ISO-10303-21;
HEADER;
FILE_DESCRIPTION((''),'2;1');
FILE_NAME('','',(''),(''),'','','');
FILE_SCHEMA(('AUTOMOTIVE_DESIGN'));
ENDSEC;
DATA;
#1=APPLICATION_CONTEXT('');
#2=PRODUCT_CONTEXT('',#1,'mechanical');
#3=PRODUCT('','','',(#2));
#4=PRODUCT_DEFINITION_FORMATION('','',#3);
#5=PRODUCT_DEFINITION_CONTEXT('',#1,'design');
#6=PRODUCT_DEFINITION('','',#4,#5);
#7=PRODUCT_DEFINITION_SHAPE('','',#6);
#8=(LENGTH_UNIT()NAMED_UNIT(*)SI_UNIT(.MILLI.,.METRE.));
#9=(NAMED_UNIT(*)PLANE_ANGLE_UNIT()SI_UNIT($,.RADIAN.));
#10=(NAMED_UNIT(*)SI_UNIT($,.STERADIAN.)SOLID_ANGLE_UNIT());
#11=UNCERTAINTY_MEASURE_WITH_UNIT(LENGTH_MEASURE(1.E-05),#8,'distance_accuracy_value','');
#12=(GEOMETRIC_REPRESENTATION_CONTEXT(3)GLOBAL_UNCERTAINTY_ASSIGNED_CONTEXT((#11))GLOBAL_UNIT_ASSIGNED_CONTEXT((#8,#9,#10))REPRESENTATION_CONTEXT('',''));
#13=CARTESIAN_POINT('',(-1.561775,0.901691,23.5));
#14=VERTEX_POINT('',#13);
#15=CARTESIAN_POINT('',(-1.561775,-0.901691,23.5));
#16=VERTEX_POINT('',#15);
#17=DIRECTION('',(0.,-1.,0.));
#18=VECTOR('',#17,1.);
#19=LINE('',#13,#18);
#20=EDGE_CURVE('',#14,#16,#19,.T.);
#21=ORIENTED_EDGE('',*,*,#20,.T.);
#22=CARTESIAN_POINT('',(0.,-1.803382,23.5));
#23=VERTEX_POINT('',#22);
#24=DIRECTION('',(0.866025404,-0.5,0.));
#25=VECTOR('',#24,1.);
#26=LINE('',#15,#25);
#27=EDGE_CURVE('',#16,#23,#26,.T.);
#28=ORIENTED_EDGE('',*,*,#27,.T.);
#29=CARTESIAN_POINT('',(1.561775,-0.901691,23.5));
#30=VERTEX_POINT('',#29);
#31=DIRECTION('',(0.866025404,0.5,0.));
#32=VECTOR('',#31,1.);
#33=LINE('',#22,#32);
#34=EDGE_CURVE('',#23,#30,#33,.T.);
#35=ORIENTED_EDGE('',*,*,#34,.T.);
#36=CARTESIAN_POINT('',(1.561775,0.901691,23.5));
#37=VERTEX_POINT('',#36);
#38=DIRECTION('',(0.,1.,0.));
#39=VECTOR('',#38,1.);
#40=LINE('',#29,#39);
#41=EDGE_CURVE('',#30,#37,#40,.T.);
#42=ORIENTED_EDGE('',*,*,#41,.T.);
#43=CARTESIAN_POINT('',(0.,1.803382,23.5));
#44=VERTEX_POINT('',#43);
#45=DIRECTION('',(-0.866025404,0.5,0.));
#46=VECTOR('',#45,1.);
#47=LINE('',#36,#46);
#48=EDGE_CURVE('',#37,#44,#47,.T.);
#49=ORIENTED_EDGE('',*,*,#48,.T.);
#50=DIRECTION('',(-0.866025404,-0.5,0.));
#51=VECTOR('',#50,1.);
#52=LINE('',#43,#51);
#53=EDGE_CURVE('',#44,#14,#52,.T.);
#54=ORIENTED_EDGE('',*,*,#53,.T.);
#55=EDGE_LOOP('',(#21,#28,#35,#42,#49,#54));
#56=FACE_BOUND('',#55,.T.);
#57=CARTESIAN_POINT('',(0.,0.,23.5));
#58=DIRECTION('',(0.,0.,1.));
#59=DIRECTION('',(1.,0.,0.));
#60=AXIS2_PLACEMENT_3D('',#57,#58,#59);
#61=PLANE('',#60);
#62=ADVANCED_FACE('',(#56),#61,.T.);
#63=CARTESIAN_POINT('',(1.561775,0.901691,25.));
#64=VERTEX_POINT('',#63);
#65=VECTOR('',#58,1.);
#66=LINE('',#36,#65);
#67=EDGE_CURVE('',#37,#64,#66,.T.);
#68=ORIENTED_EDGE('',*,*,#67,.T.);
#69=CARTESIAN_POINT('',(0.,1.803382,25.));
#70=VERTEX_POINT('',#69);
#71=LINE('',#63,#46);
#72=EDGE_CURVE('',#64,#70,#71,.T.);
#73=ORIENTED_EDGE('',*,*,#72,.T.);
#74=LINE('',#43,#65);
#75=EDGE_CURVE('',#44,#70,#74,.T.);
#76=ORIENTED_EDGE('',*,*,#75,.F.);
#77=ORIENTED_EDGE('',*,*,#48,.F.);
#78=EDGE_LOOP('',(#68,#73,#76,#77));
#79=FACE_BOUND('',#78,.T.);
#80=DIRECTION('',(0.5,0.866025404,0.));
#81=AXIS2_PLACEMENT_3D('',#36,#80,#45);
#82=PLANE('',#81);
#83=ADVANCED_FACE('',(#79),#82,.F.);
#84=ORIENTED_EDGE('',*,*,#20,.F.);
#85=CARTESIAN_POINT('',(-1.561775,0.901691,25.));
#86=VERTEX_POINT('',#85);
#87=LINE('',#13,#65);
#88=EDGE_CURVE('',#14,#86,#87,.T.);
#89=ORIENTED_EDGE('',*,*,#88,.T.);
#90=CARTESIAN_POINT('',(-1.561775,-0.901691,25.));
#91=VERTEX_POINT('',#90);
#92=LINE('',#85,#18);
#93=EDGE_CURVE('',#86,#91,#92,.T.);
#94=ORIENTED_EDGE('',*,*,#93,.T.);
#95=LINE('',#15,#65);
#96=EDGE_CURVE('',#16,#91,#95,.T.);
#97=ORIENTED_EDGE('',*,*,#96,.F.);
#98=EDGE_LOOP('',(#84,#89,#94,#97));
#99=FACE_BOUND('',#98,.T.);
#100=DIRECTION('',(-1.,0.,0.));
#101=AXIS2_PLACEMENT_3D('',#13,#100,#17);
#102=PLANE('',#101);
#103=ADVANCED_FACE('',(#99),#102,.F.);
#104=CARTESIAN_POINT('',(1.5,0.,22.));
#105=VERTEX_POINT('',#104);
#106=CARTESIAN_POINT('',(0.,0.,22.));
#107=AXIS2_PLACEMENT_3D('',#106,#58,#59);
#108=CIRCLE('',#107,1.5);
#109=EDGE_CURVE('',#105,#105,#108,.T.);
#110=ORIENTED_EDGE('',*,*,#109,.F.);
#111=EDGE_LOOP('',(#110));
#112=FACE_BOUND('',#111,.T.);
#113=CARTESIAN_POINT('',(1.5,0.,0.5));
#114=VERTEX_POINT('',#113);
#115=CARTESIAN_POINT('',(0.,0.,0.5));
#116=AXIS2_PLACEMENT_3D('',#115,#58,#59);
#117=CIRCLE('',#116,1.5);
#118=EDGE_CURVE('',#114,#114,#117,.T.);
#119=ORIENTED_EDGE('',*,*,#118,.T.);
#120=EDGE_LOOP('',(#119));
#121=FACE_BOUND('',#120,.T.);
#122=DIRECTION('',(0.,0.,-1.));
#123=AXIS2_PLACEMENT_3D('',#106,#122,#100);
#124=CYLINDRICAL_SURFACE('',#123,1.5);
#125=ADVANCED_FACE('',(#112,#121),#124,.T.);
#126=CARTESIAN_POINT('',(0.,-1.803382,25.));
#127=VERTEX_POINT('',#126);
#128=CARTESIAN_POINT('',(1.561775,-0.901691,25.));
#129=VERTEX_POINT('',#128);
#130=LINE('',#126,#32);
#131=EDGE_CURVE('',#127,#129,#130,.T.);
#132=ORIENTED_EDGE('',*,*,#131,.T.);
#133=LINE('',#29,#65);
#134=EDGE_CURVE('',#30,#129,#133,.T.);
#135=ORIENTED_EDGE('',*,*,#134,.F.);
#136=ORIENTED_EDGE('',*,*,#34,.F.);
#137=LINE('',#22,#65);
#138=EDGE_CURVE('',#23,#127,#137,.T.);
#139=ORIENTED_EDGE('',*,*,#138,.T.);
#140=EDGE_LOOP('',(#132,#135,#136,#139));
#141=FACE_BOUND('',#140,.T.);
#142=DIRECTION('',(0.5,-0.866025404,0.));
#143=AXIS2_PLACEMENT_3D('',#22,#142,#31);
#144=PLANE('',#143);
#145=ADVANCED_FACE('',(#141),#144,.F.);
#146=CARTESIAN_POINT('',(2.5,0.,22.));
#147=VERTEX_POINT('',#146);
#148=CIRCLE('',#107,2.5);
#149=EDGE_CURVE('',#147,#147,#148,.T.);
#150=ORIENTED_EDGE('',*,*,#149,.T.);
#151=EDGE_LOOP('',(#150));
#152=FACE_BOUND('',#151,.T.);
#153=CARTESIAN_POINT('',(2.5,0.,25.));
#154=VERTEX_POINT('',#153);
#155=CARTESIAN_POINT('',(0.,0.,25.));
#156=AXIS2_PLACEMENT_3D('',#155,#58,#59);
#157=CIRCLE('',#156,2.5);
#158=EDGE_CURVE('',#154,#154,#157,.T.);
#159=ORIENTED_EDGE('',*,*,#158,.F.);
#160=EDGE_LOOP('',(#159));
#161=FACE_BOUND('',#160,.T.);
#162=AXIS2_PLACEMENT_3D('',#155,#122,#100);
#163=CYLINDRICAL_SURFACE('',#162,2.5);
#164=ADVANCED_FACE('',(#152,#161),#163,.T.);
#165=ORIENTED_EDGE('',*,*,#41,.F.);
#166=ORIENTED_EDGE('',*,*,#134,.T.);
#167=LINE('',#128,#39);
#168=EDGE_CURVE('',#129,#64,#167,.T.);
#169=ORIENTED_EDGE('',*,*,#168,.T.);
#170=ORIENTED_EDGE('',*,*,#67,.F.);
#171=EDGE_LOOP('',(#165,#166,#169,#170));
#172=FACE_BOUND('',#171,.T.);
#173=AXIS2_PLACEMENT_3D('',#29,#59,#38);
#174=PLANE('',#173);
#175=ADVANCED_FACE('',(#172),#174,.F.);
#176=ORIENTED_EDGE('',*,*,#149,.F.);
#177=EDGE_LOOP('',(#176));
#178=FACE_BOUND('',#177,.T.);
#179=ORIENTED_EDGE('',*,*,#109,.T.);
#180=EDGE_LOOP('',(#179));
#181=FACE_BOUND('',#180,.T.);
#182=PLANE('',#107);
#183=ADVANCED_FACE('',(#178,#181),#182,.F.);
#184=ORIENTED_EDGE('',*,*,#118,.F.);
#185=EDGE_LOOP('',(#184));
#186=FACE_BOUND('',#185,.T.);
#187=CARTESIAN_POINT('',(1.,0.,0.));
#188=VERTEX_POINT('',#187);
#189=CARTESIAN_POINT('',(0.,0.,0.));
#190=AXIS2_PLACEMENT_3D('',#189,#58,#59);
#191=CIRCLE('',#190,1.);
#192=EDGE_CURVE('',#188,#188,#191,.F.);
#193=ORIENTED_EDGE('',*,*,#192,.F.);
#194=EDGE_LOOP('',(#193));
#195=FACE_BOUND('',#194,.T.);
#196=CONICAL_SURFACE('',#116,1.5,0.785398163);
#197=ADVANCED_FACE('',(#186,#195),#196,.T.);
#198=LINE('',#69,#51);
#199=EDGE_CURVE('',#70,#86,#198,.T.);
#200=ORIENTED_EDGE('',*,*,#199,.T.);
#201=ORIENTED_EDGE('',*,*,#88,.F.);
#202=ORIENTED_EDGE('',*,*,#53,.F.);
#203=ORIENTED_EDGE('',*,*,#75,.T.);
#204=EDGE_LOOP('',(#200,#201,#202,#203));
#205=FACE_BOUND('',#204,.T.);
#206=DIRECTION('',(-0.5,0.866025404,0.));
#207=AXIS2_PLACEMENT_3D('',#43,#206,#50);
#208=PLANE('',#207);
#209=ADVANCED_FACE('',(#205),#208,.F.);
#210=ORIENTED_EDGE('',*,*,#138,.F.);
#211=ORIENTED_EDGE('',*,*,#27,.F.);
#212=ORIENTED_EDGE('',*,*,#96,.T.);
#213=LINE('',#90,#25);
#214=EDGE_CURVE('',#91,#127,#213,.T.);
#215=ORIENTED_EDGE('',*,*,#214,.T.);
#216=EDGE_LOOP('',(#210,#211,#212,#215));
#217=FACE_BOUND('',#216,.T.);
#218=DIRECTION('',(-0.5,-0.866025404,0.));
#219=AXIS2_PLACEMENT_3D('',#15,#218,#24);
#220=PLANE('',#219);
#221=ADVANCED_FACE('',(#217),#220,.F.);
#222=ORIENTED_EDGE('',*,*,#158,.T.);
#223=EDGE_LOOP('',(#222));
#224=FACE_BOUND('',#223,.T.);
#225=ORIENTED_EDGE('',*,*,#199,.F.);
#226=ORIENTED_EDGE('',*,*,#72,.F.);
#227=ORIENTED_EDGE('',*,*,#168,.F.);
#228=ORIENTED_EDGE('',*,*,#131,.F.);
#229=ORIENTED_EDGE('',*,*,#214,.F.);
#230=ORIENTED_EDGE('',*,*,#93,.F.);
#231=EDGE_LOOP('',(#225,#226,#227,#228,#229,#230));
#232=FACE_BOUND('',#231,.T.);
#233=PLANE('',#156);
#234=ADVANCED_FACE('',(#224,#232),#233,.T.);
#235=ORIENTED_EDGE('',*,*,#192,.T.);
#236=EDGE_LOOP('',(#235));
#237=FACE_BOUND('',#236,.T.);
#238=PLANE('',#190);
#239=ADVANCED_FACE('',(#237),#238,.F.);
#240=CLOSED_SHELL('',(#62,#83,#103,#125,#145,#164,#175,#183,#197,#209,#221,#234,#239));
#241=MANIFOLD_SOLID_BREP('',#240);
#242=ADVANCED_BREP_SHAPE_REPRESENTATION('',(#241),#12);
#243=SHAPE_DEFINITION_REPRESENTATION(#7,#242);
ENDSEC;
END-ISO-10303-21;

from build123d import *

# Parameters (mm, degrees)
SKETCH_1_R          = 1.5
EXTRUDE_1_DEPTH     = 22
SKETCH_2_R          = 2.5
EXTRUDE_2_DEPTH     = 3
CUT_EXTRUDE_1_DEPTH = 1.5
CHAMFER_1_SIZE      = 0.5


with BuildPart() as part:
    # 草图1 → 凸台-拉伸1 (new body)
    with BuildSketch(Plane.XY):
        Circle(SKETCH_1_R)
    extrude(amount=EXTRUDE_1_DEPTH)

    # 草图2 → 凸台-拉伸2 (add)
    with BuildSketch(Plane.XY.offset(22)):
        Circle(SKETCH_2_R)
    extrude(amount=EXTRUDE_2_DEPTH)

    # 草图3 → 切除-拉伸1 (cut)
    with BuildSketch(Plane.XY.offset(25)):
        Polygon((0, 1.803382283), (-1.56177487, 0.901691141), (-1.56177487, -0.901691141), (0, -1.803382283), (1.56177487, -0.901691141), (1.56177487, 0.901691141), align=None)
    extrude(amount=-CUT_EXTRUDE_1_DEPTH, mode=Mode.SUBTRACT)

    # 倒角1
    chamfer_1_edges = [part.edges().sort_by_distance(p)[0] for p in [
        (-1.5, 0, 0),
    ]]
    chamfer(chamfer_1_edges, length=CHAMFER_1_SIZE)


solid = part.part
